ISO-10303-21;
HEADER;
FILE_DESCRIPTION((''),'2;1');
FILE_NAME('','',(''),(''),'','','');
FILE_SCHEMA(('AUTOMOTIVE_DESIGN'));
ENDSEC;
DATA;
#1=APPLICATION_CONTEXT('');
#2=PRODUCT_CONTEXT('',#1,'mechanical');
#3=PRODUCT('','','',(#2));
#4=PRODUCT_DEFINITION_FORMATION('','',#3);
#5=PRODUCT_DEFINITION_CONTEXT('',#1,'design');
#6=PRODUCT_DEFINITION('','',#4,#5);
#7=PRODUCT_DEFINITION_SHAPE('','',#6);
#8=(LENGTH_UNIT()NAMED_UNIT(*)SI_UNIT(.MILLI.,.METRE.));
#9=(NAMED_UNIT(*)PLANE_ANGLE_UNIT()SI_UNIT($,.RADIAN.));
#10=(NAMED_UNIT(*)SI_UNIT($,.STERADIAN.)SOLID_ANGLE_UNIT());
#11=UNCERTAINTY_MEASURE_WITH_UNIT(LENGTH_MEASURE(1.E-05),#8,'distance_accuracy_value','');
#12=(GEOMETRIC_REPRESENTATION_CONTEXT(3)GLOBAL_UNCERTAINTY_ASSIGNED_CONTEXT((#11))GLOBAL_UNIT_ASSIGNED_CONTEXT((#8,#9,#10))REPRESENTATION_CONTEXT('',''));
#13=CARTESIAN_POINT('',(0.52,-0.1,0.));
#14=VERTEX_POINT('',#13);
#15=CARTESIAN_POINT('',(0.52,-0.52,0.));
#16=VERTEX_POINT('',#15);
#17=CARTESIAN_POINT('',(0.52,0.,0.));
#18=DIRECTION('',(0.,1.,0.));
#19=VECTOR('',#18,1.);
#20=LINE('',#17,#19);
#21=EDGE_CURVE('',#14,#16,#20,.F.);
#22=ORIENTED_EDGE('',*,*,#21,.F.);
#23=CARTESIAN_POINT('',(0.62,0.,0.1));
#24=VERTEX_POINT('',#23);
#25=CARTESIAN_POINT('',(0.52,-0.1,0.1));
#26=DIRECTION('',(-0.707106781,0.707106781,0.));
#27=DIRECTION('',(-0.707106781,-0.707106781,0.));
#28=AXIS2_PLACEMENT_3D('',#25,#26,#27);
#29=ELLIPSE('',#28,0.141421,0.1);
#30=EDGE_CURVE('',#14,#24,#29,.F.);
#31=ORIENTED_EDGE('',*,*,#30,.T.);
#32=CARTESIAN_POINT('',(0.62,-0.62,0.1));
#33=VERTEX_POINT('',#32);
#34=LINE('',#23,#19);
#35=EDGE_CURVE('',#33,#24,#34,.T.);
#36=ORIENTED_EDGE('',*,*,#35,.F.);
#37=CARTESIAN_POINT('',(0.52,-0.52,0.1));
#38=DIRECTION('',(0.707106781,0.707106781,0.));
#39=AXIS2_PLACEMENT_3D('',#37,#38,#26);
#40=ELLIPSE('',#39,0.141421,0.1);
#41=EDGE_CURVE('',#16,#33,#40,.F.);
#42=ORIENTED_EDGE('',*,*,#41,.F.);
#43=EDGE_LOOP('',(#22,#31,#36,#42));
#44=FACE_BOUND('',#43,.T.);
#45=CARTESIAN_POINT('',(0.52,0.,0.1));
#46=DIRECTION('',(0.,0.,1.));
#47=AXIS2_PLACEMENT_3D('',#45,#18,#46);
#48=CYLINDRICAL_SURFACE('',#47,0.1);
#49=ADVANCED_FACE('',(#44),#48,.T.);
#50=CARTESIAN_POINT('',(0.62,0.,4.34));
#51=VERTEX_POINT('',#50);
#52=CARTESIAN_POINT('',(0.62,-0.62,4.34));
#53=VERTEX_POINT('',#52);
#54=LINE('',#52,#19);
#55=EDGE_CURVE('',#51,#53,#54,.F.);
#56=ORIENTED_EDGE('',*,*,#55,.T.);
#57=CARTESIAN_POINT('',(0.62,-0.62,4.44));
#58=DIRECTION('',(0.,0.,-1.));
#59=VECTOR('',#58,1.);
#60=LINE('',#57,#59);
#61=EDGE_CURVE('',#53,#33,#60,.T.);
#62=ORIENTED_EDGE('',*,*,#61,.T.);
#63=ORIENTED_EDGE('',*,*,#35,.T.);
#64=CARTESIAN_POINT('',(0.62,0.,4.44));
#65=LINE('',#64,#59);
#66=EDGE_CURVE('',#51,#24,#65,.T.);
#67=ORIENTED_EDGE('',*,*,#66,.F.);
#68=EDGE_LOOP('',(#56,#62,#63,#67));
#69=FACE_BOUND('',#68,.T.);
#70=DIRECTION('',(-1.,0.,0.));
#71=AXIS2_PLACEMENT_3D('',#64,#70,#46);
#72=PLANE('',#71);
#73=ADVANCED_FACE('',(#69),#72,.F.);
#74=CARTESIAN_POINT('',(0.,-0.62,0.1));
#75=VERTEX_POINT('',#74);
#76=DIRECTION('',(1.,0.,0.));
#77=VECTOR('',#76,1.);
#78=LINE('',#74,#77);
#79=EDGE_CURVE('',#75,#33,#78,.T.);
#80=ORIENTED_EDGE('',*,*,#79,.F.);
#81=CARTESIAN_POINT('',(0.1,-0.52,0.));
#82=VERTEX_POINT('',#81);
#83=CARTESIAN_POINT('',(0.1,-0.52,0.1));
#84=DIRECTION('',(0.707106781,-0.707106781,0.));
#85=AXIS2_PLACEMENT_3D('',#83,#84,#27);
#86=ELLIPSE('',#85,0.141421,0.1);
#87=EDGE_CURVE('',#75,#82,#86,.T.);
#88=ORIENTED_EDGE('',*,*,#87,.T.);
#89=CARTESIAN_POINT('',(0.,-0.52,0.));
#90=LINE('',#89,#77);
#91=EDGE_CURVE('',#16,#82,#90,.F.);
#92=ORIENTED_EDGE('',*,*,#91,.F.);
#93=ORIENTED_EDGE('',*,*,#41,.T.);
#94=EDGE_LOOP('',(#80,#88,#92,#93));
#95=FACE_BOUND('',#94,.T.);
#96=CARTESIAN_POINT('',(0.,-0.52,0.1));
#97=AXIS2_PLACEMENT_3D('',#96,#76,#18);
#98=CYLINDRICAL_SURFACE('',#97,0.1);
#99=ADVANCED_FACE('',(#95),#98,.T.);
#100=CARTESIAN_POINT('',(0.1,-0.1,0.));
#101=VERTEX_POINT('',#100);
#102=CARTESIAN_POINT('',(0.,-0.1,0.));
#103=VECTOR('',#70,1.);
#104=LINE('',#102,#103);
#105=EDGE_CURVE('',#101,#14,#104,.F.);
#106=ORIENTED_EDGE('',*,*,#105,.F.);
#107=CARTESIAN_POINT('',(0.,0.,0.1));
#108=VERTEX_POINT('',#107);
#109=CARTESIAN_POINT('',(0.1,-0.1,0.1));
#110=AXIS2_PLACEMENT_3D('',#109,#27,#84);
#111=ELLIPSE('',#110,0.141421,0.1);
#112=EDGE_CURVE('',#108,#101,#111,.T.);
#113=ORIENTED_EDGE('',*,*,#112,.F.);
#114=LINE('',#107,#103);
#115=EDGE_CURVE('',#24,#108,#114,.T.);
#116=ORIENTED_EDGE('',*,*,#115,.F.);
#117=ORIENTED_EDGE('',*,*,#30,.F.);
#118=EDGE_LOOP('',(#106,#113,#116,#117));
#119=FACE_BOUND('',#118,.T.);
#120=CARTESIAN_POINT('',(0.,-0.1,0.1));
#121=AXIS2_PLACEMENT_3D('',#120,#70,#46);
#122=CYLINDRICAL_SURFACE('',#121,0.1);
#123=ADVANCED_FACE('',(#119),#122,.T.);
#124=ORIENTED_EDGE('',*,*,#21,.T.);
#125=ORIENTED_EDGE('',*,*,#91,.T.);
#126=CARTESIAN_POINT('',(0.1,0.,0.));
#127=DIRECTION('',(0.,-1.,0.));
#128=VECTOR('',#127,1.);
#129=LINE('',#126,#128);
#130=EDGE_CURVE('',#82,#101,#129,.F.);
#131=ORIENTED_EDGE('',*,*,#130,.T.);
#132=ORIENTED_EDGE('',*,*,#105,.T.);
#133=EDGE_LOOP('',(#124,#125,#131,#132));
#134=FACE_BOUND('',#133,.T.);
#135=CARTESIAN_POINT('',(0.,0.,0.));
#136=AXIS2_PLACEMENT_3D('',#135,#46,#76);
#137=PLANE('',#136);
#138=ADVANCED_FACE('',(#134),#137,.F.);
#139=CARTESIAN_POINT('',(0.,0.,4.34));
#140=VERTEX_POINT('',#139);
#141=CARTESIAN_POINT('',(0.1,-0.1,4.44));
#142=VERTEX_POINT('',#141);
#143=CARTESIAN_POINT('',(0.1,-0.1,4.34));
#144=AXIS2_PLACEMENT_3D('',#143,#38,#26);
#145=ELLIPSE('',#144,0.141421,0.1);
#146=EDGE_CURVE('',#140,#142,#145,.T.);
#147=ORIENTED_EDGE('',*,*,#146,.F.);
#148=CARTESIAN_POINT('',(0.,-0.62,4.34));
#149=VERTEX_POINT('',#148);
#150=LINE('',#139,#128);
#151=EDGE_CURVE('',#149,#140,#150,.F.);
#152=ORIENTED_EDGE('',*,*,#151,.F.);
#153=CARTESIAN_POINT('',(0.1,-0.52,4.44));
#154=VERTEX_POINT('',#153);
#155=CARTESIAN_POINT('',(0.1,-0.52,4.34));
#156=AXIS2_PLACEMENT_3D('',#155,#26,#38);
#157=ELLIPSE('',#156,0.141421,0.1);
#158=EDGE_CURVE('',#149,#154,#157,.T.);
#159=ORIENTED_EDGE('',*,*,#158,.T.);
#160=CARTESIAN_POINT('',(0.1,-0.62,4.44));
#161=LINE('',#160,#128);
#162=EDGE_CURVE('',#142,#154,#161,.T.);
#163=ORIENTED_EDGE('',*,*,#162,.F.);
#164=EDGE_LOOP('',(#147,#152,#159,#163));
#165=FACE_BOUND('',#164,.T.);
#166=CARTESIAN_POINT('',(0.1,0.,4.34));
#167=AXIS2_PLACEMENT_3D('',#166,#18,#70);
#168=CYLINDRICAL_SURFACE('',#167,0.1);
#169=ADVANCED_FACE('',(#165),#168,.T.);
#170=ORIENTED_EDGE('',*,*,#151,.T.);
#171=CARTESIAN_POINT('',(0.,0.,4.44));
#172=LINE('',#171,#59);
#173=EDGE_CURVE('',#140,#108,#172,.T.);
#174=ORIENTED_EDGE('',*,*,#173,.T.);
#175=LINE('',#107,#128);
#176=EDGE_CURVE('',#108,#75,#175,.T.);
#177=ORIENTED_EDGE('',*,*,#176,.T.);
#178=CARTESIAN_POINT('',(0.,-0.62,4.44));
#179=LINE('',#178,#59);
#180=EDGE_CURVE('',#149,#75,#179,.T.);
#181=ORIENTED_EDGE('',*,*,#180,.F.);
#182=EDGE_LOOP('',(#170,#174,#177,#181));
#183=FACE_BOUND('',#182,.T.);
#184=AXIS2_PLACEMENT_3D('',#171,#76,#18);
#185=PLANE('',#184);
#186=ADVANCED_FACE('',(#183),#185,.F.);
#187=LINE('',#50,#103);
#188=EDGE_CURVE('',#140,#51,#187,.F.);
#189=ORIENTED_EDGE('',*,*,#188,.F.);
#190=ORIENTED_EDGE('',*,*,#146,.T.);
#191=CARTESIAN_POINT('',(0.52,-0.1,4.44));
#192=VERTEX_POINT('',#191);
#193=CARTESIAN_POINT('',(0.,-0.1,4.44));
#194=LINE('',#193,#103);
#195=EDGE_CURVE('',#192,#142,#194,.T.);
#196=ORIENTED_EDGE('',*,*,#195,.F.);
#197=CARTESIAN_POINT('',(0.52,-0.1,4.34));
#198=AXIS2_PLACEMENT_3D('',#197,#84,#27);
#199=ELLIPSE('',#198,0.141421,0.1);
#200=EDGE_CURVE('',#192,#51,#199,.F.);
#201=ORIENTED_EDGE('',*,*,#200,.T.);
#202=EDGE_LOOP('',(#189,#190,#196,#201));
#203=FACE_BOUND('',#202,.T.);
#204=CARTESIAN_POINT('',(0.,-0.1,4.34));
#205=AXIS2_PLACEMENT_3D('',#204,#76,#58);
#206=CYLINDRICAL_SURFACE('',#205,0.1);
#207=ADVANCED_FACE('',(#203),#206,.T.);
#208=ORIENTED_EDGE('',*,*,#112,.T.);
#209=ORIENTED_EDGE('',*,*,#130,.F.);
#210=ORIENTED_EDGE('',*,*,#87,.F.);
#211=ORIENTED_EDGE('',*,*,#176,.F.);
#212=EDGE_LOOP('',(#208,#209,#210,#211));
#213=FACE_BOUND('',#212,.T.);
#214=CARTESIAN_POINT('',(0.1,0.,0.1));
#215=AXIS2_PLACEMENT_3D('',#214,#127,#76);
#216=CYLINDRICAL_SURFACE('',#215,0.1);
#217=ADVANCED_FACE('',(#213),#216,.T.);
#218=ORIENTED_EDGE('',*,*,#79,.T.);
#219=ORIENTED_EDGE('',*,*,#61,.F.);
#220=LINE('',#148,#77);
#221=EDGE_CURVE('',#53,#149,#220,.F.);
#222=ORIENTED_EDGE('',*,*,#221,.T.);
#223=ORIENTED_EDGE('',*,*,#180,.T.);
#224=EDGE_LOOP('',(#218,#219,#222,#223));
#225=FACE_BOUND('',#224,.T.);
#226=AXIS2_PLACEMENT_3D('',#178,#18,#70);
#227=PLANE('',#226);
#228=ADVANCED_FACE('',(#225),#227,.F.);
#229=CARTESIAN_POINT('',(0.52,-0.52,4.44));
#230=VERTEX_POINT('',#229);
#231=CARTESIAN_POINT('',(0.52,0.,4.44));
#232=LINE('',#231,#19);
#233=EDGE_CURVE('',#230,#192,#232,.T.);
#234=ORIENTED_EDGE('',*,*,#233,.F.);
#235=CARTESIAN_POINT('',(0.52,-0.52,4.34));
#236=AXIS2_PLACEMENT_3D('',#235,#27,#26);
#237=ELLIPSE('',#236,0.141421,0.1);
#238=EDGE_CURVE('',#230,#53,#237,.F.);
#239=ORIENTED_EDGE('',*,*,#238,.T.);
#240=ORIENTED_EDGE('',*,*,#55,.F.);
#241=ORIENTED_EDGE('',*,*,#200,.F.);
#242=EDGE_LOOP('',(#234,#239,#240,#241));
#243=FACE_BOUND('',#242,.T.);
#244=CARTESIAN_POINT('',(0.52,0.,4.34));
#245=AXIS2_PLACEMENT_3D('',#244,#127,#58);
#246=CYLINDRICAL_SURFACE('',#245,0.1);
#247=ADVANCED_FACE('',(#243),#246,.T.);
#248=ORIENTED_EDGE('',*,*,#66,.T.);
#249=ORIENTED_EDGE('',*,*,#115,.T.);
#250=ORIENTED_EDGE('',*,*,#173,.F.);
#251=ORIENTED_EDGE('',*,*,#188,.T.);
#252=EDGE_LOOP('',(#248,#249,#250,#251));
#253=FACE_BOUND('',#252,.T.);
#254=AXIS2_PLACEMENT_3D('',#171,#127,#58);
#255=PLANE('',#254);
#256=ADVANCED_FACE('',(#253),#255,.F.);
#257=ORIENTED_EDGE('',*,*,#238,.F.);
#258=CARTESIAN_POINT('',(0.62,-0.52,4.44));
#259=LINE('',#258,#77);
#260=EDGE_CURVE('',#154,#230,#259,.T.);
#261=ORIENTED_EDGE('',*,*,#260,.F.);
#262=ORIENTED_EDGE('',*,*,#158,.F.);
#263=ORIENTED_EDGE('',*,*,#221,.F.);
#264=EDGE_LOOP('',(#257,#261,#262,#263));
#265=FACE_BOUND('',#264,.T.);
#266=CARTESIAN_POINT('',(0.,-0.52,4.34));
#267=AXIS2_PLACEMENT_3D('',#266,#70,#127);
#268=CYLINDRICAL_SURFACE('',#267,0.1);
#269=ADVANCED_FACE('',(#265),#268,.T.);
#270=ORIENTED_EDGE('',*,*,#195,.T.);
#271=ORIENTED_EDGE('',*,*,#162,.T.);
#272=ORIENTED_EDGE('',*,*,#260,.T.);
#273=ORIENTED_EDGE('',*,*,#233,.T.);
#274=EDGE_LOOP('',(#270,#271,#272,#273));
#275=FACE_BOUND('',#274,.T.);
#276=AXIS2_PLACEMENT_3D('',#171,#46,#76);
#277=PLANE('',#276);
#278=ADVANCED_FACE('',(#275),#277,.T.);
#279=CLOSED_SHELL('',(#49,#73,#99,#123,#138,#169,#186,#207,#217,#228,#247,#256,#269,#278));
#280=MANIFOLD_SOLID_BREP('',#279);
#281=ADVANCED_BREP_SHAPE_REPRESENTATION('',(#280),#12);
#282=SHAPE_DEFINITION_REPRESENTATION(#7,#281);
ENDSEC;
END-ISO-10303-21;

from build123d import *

# Parameters (mm, degrees)
ESQUISSE1_W        = 0.62
ESQUISSE1_H        = 0.62
BOSS_EXTRU_1_DEPTH = 4.44
CONG_2_R           = 0.1


with BuildPart() as part:
    # Esquisse1 → Boss.-Extru.1 (new body)
    with BuildSketch(Plane.XY):
        with Locations((0.31, -0.31)):
            Rectangle(ESQUISSE1_W, ESQUISSE1_H)
    extrude(amount=BOSS_EXTRU_1_DEPTH)

    # Congé2
    cong_2_edges = [part.edges().sort_by_distance(p)[0] for p in [
        (0.62, -0.31, 4.44),
        (0.31, 0, 4.44),
        (0, -0.31, 4.44),
        (0.31, 0, 0),
        (0.62, -0.31, 0),
        (0.31, -0.62, 0),
        (0, -0.31, 0),
        (0.31, -0.62, 4.44),
    ]]
    fillet(cong_2_edges, radius=CONG_2_R)


solid = part.part
